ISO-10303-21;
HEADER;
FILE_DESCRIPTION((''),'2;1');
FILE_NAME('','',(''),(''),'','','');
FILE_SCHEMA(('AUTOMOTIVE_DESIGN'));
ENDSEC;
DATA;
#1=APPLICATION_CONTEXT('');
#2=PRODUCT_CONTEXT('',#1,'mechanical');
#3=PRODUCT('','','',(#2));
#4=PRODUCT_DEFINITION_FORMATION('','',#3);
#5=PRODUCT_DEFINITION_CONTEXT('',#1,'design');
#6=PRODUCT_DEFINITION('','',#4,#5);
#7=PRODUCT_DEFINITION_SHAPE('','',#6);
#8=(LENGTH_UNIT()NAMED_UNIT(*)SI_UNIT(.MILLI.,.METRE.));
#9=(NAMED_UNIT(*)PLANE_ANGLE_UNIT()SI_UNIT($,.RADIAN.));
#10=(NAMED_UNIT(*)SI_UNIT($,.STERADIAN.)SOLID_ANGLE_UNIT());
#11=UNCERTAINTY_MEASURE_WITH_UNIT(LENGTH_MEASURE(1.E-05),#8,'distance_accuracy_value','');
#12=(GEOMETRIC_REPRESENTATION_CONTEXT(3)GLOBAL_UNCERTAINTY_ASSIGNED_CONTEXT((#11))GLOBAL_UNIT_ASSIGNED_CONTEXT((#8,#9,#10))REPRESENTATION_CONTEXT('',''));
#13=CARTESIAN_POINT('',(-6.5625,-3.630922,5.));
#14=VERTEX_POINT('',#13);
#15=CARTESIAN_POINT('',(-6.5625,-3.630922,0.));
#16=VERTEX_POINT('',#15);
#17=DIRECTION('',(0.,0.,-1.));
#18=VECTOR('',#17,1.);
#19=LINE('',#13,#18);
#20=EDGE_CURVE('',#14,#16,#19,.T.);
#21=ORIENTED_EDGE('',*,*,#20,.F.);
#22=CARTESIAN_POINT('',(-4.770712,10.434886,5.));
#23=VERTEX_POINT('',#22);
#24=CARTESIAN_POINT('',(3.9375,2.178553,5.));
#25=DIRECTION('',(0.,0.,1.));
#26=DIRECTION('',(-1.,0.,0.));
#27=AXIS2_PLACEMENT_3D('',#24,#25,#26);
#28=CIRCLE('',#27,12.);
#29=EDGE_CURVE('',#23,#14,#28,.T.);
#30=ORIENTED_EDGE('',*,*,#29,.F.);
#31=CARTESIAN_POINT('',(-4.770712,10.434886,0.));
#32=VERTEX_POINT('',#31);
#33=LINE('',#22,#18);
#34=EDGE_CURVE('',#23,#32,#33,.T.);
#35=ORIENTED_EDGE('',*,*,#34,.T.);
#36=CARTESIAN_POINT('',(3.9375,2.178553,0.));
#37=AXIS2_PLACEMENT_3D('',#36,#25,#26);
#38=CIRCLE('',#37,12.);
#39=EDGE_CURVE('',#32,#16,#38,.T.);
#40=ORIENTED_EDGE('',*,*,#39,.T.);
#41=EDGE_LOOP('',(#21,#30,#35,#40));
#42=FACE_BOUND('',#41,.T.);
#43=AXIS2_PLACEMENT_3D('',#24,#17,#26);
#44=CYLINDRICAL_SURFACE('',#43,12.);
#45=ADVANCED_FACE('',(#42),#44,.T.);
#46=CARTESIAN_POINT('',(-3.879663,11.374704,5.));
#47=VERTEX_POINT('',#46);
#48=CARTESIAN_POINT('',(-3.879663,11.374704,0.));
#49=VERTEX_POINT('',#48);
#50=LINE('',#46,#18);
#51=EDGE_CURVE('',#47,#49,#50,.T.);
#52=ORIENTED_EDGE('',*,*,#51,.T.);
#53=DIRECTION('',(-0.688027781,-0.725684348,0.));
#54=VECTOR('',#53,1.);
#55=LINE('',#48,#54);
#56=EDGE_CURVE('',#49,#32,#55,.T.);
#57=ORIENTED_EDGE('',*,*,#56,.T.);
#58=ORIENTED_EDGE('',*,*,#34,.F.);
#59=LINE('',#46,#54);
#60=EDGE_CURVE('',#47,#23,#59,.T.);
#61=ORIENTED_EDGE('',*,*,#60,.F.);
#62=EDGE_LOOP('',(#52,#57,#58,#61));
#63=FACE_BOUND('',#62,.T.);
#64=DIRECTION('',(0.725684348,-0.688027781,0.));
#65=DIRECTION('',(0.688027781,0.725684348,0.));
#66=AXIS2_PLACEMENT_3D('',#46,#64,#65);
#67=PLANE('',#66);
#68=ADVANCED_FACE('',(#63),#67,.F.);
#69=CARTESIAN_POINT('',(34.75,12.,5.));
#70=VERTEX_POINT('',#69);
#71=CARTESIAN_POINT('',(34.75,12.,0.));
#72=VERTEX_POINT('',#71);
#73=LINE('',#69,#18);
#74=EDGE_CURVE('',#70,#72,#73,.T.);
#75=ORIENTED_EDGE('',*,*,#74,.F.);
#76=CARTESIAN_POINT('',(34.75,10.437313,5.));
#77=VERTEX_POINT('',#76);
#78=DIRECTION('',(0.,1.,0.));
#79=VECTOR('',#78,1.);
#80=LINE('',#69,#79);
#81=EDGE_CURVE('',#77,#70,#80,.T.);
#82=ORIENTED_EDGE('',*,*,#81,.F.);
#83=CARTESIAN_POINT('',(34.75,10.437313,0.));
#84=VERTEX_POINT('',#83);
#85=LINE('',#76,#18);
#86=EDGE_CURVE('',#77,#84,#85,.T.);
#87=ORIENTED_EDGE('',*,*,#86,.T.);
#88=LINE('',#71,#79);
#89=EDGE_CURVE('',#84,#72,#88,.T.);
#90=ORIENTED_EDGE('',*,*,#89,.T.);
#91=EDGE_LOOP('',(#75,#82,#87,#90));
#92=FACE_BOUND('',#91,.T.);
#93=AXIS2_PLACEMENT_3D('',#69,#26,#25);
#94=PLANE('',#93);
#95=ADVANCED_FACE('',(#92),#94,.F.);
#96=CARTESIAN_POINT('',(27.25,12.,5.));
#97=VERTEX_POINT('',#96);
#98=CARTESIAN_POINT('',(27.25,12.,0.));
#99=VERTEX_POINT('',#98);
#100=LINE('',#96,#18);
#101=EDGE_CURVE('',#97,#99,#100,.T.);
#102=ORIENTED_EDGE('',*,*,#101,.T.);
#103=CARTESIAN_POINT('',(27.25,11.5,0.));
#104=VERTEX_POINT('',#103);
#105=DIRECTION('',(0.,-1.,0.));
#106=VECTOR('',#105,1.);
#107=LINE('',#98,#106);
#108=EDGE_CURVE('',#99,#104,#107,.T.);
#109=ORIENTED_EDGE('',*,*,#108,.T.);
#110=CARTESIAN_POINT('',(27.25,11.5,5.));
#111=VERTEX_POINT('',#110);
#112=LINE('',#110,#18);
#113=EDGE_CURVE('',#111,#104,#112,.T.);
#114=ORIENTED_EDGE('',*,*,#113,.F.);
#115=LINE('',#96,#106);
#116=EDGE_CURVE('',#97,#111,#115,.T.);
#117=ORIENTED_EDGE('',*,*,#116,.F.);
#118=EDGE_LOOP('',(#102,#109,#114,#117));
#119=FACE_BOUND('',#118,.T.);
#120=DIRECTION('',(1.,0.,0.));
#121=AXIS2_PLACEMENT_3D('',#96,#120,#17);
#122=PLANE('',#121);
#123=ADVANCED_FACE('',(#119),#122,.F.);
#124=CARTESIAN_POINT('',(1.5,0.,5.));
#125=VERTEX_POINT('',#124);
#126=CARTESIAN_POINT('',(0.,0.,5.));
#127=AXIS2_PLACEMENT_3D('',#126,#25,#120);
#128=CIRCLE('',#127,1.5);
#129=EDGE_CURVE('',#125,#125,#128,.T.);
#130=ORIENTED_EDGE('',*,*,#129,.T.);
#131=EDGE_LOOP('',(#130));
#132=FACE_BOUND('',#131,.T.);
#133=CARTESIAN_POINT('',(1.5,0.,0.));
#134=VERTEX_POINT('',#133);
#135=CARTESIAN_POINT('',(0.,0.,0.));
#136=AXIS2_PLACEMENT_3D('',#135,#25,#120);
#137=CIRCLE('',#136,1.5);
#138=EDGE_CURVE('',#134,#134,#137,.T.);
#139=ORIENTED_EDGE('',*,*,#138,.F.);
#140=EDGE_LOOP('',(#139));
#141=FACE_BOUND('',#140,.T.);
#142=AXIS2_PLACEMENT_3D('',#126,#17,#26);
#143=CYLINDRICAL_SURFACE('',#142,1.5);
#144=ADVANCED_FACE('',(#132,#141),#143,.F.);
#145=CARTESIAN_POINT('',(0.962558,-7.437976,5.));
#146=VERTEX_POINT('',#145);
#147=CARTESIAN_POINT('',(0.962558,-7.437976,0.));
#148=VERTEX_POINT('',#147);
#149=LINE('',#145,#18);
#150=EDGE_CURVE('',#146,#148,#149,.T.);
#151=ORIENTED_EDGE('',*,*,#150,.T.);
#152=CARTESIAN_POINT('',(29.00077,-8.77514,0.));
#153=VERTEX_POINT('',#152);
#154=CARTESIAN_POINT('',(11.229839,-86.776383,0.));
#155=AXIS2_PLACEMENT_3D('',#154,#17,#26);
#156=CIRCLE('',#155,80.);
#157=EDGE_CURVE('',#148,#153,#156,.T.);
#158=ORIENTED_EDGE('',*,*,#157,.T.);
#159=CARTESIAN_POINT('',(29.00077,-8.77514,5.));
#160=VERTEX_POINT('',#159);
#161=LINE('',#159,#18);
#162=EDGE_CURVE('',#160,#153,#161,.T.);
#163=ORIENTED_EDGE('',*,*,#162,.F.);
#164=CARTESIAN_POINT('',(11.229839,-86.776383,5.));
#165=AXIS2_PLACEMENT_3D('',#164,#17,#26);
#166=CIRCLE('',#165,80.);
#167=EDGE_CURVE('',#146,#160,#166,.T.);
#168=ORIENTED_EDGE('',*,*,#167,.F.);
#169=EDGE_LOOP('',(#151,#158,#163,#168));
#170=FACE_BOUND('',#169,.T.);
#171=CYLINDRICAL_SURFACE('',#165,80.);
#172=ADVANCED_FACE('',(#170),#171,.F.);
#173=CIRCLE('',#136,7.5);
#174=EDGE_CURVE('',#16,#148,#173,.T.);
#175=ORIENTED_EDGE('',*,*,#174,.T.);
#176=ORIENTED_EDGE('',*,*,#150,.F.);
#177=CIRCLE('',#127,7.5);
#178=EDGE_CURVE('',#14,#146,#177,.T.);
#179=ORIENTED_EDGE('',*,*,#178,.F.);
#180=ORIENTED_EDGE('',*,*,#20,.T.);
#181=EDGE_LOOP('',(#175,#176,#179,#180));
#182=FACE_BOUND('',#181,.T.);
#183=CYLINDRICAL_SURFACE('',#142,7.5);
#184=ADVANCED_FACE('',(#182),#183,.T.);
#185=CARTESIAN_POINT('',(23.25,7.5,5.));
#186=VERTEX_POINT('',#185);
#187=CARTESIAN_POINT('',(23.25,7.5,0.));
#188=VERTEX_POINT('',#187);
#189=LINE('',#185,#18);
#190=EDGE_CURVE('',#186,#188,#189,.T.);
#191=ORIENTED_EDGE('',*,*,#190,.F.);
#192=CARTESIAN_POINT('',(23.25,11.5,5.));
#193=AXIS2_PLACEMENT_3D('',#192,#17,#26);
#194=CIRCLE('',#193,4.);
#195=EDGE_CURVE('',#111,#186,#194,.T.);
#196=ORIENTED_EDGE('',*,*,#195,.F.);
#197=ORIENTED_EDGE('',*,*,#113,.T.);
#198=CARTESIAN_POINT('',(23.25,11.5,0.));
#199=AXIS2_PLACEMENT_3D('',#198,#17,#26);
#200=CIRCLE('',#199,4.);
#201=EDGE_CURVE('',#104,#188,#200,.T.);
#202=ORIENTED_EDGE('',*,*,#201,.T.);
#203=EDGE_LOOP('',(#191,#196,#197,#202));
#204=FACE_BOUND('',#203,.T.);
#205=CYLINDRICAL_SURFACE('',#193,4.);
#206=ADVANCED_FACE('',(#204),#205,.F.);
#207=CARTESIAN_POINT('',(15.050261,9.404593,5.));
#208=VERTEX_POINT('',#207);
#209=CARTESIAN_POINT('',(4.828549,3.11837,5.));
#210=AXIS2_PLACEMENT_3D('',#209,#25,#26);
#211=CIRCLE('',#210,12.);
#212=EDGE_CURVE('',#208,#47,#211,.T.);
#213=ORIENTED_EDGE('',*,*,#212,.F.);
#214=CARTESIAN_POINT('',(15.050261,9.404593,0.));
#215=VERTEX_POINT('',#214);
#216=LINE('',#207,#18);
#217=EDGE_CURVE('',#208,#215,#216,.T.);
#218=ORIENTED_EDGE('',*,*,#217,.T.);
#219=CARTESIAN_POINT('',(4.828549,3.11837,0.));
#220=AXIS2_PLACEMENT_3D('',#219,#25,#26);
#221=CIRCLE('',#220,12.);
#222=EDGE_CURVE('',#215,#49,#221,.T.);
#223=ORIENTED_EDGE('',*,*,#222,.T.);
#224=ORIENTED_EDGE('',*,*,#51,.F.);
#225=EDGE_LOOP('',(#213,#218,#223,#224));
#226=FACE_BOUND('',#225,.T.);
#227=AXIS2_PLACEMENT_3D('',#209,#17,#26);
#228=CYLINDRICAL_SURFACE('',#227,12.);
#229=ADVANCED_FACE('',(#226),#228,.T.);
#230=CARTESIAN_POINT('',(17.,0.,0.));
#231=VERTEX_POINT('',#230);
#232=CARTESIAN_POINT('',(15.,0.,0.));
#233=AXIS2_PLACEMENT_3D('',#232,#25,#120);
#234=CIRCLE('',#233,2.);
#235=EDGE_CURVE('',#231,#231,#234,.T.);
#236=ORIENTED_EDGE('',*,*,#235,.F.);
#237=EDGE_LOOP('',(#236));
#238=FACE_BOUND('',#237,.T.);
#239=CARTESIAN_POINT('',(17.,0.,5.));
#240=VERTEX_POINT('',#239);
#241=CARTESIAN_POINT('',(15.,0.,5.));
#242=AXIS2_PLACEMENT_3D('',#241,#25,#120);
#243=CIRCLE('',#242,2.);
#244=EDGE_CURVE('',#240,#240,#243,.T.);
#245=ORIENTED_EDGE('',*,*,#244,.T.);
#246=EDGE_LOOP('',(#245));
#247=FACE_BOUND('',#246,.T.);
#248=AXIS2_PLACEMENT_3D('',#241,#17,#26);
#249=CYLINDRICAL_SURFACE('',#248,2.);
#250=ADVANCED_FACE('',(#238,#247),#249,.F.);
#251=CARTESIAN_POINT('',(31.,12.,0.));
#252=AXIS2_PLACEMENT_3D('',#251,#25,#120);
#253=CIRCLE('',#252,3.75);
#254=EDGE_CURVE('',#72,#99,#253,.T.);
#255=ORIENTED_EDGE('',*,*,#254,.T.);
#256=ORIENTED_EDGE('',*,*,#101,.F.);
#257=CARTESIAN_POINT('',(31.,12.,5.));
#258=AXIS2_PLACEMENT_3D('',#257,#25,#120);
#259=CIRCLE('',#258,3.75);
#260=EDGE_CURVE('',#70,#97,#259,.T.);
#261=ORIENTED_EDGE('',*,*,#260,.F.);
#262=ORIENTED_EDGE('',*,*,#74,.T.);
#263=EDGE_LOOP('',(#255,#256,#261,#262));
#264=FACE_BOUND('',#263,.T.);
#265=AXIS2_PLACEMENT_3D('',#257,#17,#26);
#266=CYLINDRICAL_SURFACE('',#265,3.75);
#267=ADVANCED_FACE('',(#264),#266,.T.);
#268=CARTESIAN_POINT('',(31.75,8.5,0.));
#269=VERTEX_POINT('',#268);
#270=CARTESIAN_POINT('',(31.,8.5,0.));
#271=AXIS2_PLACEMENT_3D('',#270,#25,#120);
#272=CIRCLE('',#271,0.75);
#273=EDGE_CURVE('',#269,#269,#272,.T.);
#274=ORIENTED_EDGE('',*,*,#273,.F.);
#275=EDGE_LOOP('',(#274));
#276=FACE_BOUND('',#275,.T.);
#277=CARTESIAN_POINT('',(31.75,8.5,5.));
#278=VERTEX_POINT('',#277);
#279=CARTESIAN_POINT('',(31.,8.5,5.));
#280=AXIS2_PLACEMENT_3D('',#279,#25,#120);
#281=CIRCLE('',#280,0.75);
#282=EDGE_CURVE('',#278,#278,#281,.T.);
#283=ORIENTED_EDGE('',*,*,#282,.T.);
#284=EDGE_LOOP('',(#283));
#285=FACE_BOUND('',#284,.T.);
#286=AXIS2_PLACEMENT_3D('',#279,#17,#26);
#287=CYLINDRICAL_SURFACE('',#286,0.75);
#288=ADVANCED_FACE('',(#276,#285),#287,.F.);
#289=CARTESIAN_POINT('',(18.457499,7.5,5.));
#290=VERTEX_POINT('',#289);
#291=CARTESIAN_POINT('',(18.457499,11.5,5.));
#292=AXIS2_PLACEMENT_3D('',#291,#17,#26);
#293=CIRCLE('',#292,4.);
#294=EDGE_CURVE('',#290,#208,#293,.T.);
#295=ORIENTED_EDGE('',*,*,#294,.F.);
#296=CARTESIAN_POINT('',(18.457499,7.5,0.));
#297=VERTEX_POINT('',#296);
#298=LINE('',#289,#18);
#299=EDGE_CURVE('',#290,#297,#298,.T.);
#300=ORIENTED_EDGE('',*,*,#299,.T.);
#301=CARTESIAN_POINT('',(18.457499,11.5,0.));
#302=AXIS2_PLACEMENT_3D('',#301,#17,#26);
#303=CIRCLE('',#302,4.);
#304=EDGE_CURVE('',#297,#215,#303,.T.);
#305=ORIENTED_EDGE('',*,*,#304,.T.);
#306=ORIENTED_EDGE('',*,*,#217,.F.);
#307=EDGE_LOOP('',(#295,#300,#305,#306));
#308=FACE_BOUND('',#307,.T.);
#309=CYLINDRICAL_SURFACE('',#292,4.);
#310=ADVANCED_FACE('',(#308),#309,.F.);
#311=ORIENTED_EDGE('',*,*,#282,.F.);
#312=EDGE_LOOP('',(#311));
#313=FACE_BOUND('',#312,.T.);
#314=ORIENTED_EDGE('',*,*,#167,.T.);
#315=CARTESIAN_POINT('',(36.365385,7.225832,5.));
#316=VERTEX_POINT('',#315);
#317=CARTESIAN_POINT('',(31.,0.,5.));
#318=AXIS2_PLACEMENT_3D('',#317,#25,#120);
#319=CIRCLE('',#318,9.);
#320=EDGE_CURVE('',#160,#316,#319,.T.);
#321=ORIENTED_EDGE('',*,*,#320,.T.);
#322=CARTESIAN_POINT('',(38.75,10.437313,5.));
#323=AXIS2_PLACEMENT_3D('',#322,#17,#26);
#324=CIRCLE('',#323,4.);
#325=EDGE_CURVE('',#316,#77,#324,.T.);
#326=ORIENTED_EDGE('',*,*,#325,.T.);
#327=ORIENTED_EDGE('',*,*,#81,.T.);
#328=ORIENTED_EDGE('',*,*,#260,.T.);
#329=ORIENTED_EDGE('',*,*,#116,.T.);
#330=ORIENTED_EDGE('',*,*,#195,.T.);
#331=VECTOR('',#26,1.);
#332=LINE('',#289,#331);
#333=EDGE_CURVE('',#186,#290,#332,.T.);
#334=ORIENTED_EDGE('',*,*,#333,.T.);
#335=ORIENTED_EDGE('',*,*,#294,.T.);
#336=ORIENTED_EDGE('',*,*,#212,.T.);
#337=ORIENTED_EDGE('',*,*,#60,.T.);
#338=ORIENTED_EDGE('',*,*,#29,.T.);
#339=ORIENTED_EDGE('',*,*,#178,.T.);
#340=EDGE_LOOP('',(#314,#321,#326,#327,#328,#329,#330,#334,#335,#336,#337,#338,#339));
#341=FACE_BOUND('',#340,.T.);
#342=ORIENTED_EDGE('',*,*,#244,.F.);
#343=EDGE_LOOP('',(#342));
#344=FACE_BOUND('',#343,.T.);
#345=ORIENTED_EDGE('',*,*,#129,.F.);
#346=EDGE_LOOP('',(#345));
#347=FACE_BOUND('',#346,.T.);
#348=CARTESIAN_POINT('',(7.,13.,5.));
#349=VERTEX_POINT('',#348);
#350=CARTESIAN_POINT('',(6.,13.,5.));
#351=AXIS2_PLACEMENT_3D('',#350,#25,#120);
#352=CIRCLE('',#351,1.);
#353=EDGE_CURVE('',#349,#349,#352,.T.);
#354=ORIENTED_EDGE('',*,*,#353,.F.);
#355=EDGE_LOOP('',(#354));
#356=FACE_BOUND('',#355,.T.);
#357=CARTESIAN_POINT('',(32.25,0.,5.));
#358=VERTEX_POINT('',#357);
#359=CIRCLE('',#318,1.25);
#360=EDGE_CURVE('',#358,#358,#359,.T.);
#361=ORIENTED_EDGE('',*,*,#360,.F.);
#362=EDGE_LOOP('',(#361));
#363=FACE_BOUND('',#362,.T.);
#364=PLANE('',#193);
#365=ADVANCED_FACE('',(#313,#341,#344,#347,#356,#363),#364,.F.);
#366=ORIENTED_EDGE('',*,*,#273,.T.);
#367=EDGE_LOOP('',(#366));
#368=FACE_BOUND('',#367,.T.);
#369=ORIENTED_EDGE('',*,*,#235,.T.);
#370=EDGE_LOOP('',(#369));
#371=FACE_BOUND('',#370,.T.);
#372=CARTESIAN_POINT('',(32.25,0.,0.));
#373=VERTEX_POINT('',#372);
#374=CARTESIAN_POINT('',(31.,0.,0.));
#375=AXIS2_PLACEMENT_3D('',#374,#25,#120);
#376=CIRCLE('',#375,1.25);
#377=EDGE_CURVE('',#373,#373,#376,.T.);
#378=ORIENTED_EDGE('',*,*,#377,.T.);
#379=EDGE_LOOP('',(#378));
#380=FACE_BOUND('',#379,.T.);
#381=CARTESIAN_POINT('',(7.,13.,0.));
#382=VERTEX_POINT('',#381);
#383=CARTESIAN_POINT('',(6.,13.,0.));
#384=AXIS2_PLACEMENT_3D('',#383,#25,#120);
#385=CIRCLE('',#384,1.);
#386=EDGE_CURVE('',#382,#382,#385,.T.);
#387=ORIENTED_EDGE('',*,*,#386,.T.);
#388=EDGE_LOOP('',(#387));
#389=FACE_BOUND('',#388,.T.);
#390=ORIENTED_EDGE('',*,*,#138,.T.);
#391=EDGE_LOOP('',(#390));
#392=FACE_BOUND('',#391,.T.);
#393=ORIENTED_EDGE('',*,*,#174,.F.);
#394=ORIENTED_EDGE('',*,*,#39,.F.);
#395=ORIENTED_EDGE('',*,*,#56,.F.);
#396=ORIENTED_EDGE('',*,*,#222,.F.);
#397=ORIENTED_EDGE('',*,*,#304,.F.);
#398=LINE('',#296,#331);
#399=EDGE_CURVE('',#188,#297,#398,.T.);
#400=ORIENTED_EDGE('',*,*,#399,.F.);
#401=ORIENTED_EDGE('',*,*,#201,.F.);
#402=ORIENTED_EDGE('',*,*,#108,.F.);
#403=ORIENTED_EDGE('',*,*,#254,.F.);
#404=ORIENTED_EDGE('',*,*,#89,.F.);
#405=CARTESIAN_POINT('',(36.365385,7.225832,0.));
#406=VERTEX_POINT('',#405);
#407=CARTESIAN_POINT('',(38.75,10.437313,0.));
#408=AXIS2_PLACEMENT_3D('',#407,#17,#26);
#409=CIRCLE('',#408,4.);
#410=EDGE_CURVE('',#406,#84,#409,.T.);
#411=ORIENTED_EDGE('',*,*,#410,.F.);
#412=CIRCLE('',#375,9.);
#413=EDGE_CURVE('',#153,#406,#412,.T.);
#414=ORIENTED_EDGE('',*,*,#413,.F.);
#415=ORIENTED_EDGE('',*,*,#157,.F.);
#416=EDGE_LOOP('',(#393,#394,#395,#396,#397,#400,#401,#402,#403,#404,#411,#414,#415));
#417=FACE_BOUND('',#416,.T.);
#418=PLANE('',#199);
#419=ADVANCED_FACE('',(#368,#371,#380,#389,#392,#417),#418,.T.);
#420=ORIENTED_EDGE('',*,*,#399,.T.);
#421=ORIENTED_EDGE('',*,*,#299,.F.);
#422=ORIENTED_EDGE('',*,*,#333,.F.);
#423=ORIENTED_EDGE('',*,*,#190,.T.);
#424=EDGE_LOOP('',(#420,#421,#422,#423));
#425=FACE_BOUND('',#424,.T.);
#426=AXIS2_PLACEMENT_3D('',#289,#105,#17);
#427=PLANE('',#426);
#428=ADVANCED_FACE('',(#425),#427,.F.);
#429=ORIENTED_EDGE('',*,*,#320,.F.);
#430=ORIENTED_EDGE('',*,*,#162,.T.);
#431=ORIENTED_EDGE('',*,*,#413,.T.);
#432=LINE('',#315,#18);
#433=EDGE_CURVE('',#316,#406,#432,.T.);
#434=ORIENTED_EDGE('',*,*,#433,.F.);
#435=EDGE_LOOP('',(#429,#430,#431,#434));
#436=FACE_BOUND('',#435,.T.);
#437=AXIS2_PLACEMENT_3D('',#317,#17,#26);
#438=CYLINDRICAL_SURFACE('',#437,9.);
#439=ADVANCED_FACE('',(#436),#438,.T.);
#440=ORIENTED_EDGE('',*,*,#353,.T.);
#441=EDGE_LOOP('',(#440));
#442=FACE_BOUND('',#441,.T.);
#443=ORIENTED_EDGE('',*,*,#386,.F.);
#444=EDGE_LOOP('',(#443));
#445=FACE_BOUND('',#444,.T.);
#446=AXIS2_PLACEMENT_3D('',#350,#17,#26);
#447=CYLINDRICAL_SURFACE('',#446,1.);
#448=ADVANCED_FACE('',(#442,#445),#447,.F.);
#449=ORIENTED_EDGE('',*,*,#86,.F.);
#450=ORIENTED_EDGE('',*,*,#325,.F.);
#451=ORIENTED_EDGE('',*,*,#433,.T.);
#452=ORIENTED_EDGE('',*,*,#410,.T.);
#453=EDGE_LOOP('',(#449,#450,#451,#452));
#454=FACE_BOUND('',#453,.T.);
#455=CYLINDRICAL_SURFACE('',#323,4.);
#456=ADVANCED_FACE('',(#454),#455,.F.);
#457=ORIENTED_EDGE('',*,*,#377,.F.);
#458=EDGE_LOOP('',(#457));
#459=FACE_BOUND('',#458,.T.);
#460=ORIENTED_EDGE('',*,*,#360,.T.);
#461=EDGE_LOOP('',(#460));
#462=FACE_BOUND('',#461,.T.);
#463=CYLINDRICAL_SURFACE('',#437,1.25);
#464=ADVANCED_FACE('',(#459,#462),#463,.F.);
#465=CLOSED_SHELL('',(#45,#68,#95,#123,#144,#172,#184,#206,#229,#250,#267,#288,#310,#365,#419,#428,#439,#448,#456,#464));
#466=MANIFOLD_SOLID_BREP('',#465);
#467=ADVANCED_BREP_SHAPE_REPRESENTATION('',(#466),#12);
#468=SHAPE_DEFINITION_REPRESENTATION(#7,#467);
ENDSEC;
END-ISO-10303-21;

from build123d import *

# Parameters (mm, degrees)
SKETCH1_R           = 1.5
SKETCH1_R_2         = 1.25
SKETCH1_R_3         = 2
SKETCH1_R_4         = 1
SKETCH1_R_5         = 0.75
BOSS_EXTRUDE1_DEPTH = 5


with BuildPart() as part:
    # Sketch1 → Boss-Extrude1 (new body)
    with BuildSketch(Plane.XY):
        with BuildLine():
            Line((18.457499004, 7.5), (23.25, 7.5))
            ThreePointArc((23.25, 7.5), (26.078427125, 8.671572875), (27.25, 11.5))
            Line((27.25, 11.5), (27.25, 12))
            ThreePointArc((27.25, 12), (31, 15.75), (34.75, 12))
            Line((34.75, 12), (34.75, 10.437312873))
            ThreePointArc((34.75, 10.437312873), (35.176593954, 8.639878804), (36.365384615, 7.225831989))
            ThreePointArc((36.365384615, 7.225831989), (39.175605476, -3.762907798), (29.000770207, -8.775139898))
            ThreePointArc((29.000770207, -8.775139898), (15.040769607, -6.867204956), (0.962557604, -7.437975723))
            ThreePointArc((0.962557604, -7.437975723), (-3.385742672, -6.692290083), (-6.5625, -3.630921887))
            ThreePointArc((-6.5625, -3.630921887), (-7.966305911, 3.694931991), (-4.770712178, 10.434886499))
            Line((-4.770712178, 10.434886499), (-3.879663294, 11.374703534))
            ThreePointArc((-3.879663294, 11.374703534), (6.070726491, 15.053905129), (15.050261475, 9.404592542))
            ThreePointArc((15.050261475, 9.404592542), (16.505785633, 8.008465249), (18.457499004, 7.5))
        make_face()
        Circle(SKETCH1_R, mode=Mode.SUBTRACT)
        with Locations((31, 0)):
            Circle(SKETCH1_R_2, mode=Mode.SUBTRACT)
        with Locations((15, 0)):
            Circle(SKETCH1_R_3, mode=Mode.SUBTRACT)
        with Locations((6, 13)):
            Circle(SKETCH1_R_4, mode=Mode.SUBTRACT)
        with Locations((31, 8.5)):
            Circle(SKETCH1_R_5, mode=Mode.SUBTRACT)
    extrude(amount=BOSS_EXTRUDE1_DEPTH)


solid = part.part
